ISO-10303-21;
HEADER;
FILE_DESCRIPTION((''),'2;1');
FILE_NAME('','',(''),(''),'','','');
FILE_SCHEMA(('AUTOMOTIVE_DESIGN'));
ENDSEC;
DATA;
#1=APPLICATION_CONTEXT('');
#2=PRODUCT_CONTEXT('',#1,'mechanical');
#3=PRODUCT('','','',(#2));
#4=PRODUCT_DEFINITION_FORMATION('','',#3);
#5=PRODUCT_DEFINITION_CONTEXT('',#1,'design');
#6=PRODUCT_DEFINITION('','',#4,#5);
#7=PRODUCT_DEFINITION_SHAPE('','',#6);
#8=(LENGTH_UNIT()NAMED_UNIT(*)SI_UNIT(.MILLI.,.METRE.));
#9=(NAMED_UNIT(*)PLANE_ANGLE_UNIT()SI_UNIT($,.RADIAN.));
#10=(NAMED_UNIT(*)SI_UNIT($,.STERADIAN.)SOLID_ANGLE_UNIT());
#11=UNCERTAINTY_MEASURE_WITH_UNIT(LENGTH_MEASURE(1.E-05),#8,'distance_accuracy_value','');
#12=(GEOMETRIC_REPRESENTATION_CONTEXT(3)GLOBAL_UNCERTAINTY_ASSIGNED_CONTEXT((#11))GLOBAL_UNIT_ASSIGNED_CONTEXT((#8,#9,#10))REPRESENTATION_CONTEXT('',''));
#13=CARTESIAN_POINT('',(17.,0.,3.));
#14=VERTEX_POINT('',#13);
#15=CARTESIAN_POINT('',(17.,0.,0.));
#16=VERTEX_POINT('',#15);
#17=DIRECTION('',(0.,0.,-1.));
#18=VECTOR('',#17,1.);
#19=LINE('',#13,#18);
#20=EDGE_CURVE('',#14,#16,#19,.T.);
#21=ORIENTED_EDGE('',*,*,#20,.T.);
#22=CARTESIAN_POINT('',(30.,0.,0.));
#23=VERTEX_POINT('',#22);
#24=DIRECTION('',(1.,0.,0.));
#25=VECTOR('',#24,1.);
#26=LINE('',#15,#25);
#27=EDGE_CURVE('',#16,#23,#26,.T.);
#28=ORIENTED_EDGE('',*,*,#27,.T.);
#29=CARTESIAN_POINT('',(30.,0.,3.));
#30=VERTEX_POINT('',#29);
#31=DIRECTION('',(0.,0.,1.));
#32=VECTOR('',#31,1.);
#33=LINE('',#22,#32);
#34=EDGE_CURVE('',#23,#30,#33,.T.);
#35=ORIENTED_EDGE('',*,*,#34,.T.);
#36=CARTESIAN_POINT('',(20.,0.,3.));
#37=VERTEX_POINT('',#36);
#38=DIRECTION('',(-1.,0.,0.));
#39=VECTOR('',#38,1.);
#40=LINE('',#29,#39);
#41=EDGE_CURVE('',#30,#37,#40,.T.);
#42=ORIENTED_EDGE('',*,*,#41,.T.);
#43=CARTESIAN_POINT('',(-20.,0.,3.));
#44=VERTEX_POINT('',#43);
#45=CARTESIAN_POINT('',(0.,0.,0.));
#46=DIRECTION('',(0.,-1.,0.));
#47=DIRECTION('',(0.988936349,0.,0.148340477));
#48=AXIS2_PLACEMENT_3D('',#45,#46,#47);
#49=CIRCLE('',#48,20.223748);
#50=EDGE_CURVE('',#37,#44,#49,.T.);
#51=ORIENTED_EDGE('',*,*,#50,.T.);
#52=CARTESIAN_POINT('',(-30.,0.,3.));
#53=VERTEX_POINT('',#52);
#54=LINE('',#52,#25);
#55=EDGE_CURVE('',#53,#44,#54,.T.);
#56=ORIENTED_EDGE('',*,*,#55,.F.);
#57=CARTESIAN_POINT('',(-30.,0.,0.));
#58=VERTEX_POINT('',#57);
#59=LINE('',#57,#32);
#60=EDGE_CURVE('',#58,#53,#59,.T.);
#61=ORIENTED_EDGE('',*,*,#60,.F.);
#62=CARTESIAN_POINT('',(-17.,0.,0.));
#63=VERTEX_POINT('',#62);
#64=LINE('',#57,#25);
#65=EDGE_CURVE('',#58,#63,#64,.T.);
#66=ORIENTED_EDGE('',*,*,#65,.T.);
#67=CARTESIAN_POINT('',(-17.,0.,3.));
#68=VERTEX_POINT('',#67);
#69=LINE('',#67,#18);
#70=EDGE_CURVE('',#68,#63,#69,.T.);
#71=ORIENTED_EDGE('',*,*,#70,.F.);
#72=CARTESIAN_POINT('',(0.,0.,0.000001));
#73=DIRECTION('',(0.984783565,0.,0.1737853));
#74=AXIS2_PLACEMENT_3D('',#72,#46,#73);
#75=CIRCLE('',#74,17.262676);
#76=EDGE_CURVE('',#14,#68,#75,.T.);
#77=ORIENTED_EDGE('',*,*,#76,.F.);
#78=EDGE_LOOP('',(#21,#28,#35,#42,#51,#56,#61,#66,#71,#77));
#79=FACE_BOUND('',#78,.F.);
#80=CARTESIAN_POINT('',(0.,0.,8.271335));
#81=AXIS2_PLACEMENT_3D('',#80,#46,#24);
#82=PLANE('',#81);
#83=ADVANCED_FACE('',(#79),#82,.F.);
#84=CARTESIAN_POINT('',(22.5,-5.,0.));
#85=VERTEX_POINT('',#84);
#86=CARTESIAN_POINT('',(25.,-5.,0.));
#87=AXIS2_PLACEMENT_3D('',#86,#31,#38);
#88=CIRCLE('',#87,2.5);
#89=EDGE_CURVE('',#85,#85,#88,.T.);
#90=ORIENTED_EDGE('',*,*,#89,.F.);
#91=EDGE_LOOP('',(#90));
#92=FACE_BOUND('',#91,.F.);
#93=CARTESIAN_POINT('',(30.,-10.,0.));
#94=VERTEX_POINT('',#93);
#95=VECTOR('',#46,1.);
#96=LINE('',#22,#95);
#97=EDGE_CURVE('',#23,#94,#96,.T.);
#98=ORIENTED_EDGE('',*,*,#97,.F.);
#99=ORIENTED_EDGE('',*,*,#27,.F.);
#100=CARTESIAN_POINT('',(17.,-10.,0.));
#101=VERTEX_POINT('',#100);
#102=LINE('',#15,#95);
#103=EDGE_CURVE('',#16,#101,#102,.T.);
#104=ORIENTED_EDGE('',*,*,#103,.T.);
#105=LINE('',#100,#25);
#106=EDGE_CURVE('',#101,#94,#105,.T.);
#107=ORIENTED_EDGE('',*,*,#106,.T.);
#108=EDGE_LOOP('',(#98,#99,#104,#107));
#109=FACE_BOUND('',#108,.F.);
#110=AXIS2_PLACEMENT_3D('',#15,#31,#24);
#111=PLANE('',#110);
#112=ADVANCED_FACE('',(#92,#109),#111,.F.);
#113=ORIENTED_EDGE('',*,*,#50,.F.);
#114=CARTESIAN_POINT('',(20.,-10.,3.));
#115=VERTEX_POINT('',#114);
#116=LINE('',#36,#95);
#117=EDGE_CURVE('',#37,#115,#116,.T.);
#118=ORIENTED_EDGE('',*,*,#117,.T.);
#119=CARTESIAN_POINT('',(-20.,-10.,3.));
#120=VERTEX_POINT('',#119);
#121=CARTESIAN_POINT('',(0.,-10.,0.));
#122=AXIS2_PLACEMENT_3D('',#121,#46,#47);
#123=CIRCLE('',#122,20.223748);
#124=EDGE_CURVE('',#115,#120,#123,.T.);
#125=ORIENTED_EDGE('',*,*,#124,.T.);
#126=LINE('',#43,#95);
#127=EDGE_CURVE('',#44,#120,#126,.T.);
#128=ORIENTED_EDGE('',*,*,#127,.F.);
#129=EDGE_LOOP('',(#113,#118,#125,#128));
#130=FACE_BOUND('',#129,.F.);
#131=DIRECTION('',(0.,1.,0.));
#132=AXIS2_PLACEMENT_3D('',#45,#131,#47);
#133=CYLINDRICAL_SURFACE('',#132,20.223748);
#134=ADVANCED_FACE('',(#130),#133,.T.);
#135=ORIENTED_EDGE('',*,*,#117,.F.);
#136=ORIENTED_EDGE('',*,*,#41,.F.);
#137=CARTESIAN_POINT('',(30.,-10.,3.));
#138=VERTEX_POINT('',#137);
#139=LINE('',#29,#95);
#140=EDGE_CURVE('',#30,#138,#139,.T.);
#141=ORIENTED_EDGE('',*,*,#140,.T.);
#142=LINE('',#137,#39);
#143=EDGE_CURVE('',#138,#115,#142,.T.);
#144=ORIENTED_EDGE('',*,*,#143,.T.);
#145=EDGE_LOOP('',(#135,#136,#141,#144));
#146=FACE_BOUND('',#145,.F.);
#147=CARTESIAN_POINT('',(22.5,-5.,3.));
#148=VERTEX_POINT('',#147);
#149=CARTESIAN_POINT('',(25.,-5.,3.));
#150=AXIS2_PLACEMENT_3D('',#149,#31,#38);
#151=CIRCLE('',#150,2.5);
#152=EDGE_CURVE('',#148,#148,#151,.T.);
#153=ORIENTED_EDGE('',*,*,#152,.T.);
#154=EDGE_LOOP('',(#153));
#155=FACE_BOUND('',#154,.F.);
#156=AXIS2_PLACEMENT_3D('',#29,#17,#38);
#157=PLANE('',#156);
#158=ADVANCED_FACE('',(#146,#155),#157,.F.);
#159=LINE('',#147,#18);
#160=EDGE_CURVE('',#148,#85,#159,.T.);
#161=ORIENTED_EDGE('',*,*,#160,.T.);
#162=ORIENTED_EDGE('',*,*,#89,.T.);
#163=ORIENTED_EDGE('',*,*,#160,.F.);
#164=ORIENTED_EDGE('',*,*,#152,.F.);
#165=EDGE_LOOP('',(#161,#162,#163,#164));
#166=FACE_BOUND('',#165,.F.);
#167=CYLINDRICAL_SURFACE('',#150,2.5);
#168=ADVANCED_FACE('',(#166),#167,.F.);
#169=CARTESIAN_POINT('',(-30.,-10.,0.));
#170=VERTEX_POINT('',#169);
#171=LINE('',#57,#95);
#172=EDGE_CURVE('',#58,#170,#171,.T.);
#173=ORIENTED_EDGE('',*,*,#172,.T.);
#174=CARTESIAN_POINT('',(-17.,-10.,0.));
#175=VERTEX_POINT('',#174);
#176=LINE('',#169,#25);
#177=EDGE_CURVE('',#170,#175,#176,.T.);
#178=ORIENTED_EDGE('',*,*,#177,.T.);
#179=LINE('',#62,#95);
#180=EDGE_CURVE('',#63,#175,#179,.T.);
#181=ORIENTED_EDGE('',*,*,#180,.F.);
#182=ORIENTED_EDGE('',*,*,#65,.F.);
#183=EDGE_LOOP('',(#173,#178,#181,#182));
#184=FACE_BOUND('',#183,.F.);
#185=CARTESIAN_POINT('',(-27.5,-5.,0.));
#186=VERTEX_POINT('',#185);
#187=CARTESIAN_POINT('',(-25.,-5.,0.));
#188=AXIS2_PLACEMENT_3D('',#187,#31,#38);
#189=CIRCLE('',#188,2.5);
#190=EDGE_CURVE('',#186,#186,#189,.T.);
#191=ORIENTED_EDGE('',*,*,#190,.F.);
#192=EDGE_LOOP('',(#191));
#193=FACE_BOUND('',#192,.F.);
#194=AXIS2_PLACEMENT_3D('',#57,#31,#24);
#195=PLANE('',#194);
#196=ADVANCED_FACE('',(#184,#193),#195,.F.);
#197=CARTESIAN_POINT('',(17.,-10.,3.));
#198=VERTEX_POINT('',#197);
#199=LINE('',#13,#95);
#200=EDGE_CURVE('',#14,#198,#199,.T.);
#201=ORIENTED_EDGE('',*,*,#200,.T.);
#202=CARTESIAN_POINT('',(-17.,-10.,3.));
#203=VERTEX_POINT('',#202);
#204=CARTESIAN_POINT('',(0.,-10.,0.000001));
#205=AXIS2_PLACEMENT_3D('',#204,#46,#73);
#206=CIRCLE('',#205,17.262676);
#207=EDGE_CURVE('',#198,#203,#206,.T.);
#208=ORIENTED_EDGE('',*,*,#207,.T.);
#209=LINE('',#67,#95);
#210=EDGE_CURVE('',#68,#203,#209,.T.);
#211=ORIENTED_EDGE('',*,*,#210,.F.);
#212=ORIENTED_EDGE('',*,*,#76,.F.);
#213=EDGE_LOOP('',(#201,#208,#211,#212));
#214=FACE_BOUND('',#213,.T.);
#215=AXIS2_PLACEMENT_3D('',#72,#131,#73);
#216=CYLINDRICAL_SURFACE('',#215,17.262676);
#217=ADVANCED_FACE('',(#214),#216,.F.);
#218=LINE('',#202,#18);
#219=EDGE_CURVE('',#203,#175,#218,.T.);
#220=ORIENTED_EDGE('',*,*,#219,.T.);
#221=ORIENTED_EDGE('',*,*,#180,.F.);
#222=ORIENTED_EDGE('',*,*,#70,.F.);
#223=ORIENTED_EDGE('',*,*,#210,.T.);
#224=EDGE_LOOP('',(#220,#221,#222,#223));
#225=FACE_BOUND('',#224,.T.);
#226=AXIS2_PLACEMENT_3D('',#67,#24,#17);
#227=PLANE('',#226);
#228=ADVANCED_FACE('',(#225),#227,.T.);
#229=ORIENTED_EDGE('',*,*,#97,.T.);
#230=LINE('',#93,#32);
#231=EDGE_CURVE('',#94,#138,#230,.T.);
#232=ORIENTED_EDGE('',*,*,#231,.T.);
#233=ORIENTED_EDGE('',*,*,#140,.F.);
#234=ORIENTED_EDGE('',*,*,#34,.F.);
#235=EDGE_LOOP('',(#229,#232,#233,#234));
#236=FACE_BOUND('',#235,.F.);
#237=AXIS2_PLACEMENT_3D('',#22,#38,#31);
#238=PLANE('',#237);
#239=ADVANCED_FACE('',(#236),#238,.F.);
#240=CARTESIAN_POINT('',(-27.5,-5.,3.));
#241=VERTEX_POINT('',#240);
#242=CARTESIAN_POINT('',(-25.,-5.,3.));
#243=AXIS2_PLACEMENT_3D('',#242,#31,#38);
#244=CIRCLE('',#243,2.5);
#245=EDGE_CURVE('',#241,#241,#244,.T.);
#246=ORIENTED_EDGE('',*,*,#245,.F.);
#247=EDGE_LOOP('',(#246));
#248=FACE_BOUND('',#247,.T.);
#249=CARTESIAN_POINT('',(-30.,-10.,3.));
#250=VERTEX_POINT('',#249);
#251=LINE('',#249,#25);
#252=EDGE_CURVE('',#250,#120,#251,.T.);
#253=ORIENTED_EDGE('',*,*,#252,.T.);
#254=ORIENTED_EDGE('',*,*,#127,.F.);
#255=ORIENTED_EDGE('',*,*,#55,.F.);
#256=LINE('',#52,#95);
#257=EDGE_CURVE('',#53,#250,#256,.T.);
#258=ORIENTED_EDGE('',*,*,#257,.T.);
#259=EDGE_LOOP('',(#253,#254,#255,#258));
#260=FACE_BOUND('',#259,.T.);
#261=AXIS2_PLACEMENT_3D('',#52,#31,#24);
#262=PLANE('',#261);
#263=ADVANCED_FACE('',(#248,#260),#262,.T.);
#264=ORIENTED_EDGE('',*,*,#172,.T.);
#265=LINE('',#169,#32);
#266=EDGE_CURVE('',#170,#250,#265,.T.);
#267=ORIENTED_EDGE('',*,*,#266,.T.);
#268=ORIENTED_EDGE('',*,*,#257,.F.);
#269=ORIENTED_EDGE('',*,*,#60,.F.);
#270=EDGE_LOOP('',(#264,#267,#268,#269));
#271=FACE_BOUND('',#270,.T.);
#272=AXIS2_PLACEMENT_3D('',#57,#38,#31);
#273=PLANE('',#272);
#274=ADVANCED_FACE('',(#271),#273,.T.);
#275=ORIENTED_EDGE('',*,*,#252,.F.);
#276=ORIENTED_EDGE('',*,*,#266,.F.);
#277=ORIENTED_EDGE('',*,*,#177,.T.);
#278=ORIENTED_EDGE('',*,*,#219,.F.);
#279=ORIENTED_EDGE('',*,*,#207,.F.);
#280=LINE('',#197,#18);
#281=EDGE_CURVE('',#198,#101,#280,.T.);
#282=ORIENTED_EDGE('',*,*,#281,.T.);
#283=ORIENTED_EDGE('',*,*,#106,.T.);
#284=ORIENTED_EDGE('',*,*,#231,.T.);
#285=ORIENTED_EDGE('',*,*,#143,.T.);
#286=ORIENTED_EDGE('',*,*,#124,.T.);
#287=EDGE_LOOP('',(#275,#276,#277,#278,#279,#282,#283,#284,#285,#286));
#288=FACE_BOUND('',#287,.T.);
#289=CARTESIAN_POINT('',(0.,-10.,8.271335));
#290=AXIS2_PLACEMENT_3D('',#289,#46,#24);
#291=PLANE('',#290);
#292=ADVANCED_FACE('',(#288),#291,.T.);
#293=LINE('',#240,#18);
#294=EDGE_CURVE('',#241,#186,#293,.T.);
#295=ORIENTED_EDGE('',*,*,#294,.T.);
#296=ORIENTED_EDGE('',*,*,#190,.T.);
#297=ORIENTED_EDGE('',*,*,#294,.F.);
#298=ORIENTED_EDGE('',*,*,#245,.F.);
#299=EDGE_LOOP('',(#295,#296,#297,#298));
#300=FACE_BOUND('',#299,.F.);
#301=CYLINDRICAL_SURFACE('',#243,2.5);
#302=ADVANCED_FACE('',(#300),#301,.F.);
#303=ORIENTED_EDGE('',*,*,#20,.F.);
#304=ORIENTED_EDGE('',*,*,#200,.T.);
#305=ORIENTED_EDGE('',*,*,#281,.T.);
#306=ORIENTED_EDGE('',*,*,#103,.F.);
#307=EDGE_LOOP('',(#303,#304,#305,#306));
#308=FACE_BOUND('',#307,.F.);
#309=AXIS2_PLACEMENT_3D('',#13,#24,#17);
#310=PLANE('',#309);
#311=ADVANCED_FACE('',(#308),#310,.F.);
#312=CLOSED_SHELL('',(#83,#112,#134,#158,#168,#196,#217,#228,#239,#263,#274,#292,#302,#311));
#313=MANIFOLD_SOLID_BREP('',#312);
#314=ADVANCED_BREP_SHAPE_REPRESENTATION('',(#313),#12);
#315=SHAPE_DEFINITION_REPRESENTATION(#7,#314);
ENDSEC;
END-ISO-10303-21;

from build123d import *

# Parameters (mm, degrees)
PAD_DEPTH    = 10
SKETCH001_R  = 2.5
POCKET_DEPTH = 3


with BuildPart() as part:
    # Sketch → Pad (new body)
    with BuildSketch(Plane.XZ):
        with BuildLine():
            Line((-30, 0), (-17, 0))
            Line((-17, 3), (-17, 0))
            ThreePointArc((17, 3), (0, 17.262677), (-17, 3))
            Line((17, 3), (17, 0))
            Line((17, 0), (30, 0))
            Line((30, 0), (30, 3))
            Line((30, 3), (20, 3))
            ThreePointArc((20, 3), (0, 20.223748), (-20, 3))
            Line((-30, 3), (-20, 3))
            Line((-30, 0), (-30, 3))
        make_face()
    extrude(amount=PAD_DEPTH)

    # Sketch001 (on Face8 of Pad) → Pocket (cut)
    with BuildSketch(Plane(origin=(0, 0, 3), x_dir=(-1, 0, 0), z_dir=(0, 0, 1))):
        with Locations((25, 5)):
            Circle(SKETCH001_R)
        with Locations((-25, 5)):
            Circle(SKETCH001_R)
    extrude(amount=-POCKET_DEPTH, mode=Mode.SUBTRACT)


solid = part.part
